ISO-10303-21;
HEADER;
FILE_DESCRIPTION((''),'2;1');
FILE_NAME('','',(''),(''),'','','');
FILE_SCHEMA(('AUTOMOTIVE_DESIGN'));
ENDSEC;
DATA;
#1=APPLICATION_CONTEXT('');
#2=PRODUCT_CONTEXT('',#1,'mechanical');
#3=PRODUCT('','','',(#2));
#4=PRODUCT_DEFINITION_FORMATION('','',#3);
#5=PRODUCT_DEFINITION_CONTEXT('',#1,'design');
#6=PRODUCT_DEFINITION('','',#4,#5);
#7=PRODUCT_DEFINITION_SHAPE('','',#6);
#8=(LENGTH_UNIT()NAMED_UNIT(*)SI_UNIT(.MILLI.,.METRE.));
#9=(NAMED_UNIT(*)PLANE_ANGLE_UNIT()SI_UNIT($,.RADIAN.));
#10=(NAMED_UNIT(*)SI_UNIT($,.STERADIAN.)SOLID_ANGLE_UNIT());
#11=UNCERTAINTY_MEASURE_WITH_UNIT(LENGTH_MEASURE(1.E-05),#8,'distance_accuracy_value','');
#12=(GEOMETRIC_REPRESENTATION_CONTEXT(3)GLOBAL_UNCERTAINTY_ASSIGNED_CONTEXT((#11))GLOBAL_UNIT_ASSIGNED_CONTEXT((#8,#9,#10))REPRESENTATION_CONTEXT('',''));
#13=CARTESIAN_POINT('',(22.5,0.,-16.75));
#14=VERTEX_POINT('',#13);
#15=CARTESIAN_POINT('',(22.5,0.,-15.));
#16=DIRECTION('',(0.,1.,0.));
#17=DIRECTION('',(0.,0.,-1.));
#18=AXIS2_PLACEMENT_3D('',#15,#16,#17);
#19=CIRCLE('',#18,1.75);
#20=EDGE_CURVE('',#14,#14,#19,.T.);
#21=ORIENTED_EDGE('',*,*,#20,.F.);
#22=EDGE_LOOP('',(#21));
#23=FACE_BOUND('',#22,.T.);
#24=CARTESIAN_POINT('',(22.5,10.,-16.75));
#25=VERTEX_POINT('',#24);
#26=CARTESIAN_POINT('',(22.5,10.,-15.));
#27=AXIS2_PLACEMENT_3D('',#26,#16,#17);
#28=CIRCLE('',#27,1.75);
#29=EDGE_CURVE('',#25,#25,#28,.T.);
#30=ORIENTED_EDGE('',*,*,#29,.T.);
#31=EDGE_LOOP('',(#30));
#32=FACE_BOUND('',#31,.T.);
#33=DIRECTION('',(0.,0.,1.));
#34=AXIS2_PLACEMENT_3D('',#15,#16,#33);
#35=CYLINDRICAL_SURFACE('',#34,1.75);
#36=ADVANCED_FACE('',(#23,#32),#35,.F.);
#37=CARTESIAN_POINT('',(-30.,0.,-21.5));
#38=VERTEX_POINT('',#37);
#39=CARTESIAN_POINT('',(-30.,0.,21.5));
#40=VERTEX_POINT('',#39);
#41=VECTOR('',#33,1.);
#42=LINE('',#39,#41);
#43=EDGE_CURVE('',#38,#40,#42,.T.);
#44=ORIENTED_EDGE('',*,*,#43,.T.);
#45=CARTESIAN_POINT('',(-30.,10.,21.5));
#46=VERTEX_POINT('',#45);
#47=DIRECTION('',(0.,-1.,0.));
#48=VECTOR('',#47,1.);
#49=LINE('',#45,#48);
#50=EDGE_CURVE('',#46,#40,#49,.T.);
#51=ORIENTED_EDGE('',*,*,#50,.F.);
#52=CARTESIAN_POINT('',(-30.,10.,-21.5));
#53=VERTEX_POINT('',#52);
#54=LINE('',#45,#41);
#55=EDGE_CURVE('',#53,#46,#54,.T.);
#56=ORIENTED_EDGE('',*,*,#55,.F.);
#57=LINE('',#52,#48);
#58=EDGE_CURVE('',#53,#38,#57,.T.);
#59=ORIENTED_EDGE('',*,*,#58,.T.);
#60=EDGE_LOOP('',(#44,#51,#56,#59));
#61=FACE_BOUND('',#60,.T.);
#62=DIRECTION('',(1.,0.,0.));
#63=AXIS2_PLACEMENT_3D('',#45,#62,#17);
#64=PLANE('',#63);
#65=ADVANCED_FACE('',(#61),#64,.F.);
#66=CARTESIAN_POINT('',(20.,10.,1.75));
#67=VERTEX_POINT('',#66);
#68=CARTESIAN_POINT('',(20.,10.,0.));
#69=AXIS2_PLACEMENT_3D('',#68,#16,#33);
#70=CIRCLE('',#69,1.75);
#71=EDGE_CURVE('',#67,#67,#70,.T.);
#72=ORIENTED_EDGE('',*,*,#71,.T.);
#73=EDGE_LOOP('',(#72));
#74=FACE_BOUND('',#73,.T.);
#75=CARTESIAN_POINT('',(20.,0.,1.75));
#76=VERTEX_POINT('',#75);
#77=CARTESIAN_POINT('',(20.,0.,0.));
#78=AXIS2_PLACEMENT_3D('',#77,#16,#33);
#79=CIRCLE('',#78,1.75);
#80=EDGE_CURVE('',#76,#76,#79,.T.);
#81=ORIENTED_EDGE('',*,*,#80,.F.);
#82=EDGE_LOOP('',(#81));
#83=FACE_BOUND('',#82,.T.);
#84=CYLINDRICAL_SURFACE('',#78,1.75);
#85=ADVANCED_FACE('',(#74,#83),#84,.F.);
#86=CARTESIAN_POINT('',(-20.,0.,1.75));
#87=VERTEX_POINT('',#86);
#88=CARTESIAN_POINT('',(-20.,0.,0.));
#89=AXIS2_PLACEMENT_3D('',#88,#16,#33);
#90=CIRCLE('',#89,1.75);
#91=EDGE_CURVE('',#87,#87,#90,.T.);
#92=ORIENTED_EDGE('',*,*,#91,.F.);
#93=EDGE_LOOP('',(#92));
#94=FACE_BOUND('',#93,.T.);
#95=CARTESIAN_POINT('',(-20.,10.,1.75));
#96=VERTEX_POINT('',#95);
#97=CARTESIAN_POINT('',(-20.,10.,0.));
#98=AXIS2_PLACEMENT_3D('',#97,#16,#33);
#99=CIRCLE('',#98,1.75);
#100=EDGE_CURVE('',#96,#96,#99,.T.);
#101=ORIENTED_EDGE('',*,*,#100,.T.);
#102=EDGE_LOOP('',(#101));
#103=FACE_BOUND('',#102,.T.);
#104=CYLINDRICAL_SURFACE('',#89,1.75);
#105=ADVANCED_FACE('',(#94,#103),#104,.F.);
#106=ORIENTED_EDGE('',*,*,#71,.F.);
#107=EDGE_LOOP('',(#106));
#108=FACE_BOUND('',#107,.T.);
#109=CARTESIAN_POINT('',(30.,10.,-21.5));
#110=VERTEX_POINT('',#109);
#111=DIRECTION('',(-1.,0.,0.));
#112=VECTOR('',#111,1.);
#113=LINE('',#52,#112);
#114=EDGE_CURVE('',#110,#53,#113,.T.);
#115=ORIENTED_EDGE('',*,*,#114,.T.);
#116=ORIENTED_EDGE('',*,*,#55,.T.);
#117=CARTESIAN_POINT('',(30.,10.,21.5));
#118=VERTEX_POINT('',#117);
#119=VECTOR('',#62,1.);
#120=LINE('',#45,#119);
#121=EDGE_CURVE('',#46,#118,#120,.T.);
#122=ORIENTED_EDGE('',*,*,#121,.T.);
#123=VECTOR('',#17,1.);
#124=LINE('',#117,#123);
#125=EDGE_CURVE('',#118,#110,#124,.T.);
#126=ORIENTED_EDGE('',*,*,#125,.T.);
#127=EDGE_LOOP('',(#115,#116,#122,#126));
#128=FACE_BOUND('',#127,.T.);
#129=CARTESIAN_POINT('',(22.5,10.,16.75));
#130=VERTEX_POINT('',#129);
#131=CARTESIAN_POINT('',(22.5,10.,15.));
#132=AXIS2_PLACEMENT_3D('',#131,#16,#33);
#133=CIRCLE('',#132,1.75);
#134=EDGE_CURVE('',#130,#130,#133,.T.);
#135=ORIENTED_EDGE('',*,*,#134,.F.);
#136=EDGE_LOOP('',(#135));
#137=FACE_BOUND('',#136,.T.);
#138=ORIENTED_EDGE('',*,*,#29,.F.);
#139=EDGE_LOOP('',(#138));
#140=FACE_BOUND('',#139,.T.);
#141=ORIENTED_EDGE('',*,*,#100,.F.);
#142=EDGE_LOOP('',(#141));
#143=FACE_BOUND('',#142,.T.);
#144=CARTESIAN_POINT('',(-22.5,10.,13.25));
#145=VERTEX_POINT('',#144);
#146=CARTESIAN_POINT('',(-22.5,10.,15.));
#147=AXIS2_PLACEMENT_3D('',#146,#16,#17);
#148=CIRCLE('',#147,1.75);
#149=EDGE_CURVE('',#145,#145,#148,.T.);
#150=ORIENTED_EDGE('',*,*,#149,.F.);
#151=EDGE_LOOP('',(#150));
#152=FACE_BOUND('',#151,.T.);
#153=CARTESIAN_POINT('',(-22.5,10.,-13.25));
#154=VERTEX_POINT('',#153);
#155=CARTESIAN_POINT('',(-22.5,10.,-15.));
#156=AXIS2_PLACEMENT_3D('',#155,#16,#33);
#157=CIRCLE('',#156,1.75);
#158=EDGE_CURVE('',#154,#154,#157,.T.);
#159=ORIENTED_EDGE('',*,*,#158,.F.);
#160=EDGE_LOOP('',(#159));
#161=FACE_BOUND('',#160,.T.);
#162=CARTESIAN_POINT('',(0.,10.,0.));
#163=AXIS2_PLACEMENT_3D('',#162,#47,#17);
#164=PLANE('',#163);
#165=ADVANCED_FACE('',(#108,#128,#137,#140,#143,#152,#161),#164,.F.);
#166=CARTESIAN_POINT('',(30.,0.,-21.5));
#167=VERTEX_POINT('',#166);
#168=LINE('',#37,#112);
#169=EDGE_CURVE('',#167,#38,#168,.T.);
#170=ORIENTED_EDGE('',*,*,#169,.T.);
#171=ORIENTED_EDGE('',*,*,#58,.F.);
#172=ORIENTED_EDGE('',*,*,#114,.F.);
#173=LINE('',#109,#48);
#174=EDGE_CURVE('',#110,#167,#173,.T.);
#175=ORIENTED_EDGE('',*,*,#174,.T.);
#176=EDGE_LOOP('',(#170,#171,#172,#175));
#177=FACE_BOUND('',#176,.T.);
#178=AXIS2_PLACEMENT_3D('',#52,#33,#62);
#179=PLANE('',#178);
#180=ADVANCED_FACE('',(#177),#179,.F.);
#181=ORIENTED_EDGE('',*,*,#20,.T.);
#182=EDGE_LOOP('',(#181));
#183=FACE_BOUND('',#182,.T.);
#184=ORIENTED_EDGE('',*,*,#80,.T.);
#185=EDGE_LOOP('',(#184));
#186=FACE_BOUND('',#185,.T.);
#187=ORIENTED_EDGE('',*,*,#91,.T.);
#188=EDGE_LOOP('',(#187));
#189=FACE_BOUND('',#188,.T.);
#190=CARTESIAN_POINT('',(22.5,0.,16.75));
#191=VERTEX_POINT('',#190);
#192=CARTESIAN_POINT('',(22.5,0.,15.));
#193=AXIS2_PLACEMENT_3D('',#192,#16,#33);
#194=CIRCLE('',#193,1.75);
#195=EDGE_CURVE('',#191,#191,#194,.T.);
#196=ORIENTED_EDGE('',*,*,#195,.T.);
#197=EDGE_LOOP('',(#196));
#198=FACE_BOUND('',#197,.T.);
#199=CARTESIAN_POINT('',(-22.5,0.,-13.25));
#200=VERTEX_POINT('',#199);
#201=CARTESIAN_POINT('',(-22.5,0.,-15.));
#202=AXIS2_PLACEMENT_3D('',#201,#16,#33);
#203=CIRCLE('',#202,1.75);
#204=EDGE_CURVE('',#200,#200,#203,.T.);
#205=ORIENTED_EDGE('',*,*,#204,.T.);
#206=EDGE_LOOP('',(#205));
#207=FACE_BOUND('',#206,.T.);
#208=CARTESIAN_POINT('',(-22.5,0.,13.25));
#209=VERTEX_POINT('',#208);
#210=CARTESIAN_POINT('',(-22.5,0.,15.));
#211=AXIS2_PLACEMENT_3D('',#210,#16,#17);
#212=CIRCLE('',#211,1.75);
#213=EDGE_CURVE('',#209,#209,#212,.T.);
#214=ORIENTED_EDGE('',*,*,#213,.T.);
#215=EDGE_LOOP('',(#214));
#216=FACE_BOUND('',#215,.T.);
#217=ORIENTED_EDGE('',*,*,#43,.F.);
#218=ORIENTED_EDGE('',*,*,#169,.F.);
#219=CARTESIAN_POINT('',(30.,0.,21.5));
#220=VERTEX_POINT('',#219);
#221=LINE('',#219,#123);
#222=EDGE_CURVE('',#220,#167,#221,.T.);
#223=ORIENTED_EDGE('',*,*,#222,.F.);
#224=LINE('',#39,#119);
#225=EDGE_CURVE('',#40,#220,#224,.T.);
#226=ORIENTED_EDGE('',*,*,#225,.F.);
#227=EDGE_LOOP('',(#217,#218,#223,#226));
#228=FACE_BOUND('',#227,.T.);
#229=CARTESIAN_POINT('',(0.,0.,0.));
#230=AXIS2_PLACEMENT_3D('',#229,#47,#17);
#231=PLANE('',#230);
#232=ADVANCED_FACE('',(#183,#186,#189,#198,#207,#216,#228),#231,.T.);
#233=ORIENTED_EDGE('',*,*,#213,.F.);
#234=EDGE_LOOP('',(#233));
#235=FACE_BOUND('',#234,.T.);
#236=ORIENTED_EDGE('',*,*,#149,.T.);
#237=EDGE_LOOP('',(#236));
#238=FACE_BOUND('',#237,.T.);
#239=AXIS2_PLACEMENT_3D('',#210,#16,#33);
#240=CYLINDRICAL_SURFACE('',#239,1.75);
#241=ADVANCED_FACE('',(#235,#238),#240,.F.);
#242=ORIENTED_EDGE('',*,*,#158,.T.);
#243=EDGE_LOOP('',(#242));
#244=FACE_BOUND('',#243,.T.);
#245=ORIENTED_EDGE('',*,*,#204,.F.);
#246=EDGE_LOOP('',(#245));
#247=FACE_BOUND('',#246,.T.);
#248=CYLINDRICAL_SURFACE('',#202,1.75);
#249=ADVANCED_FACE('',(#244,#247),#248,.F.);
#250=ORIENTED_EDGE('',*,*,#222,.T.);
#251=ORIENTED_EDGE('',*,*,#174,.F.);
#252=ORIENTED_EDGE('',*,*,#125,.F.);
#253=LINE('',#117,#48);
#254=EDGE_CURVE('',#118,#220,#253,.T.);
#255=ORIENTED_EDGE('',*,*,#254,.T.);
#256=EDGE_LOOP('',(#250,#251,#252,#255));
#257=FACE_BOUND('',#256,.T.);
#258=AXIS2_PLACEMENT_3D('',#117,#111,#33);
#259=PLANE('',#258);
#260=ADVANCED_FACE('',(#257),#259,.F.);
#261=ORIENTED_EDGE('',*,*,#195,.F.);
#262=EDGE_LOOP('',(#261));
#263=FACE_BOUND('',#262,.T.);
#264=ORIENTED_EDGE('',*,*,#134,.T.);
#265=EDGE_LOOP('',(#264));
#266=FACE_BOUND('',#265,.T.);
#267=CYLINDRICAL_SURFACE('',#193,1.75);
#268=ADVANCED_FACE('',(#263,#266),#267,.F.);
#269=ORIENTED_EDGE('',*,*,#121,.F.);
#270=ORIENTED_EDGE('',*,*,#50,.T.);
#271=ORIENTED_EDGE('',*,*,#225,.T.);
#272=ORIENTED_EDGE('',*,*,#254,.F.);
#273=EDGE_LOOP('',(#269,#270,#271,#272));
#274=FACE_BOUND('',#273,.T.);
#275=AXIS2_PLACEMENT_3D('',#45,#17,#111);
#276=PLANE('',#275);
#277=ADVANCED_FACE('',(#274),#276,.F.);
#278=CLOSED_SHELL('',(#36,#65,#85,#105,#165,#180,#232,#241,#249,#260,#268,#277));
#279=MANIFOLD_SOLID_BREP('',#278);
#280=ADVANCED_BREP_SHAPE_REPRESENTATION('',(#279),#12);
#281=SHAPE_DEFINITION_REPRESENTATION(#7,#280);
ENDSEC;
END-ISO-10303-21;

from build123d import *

# Parameters (mm, degrees)
SKETCH_2_W          = 60
SKETCH_2_H          = 43
EXTRUDE_1_DEPTH     = 10
SKETCH_3_R          = 1.75
CUT_EXTRUDE_1_DEPTH = 11
SKETCH_4_R          = 1.75
CUT_EXTRUDE_2_DEPTH = 11


with BuildPart() as part:
    # 草图2 → 凸台-拉伸1 (new body)
    with BuildSketch(Plane(origin=(0, 0, 0), x_dir=(1, 0, 0), z_dir=(0, 1, 0))):
        Rectangle(SKETCH_2_W, SKETCH_2_H)
    extrude(amount=EXTRUDE_1_DEPTH)

    # 草图3 → 切除-拉伸1 (cut, through all)
    with BuildSketch(Plane(origin=(0, 10, 0), x_dir=(1, 0, 0), z_dir=(0, 1, 0))):
        with Locations((-22.5, 15)):
            Circle(SKETCH_3_R)
        with Locations((22.5, 15)):
            Circle(SKETCH_3_R)
        with Locations((22.5, -15)):
            Circle(SKETCH_3_R)
        with Locations((-22.5, -15)):
            Circle(SKETCH_3_R)
    extrude(amount=-CUT_EXTRUDE_1_DEPTH, mode=Mode.SUBTRACT)

    # 草图4 → 切除-拉伸2 (cut, through all)
    with BuildSketch(Plane(origin=(0, 10, 0), x_dir=(1, 0, 0), z_dir=(0, 1, 0))):
        with Locations((-20, 0)):
            Circle(SKETCH_4_R)
        with Locations((20, 0)):
            Circle(SKETCH_4_R)
    extrude(amount=-CUT_EXTRUDE_2_DEPTH, mode=Mode.SUBTRACT)


solid = part.part
